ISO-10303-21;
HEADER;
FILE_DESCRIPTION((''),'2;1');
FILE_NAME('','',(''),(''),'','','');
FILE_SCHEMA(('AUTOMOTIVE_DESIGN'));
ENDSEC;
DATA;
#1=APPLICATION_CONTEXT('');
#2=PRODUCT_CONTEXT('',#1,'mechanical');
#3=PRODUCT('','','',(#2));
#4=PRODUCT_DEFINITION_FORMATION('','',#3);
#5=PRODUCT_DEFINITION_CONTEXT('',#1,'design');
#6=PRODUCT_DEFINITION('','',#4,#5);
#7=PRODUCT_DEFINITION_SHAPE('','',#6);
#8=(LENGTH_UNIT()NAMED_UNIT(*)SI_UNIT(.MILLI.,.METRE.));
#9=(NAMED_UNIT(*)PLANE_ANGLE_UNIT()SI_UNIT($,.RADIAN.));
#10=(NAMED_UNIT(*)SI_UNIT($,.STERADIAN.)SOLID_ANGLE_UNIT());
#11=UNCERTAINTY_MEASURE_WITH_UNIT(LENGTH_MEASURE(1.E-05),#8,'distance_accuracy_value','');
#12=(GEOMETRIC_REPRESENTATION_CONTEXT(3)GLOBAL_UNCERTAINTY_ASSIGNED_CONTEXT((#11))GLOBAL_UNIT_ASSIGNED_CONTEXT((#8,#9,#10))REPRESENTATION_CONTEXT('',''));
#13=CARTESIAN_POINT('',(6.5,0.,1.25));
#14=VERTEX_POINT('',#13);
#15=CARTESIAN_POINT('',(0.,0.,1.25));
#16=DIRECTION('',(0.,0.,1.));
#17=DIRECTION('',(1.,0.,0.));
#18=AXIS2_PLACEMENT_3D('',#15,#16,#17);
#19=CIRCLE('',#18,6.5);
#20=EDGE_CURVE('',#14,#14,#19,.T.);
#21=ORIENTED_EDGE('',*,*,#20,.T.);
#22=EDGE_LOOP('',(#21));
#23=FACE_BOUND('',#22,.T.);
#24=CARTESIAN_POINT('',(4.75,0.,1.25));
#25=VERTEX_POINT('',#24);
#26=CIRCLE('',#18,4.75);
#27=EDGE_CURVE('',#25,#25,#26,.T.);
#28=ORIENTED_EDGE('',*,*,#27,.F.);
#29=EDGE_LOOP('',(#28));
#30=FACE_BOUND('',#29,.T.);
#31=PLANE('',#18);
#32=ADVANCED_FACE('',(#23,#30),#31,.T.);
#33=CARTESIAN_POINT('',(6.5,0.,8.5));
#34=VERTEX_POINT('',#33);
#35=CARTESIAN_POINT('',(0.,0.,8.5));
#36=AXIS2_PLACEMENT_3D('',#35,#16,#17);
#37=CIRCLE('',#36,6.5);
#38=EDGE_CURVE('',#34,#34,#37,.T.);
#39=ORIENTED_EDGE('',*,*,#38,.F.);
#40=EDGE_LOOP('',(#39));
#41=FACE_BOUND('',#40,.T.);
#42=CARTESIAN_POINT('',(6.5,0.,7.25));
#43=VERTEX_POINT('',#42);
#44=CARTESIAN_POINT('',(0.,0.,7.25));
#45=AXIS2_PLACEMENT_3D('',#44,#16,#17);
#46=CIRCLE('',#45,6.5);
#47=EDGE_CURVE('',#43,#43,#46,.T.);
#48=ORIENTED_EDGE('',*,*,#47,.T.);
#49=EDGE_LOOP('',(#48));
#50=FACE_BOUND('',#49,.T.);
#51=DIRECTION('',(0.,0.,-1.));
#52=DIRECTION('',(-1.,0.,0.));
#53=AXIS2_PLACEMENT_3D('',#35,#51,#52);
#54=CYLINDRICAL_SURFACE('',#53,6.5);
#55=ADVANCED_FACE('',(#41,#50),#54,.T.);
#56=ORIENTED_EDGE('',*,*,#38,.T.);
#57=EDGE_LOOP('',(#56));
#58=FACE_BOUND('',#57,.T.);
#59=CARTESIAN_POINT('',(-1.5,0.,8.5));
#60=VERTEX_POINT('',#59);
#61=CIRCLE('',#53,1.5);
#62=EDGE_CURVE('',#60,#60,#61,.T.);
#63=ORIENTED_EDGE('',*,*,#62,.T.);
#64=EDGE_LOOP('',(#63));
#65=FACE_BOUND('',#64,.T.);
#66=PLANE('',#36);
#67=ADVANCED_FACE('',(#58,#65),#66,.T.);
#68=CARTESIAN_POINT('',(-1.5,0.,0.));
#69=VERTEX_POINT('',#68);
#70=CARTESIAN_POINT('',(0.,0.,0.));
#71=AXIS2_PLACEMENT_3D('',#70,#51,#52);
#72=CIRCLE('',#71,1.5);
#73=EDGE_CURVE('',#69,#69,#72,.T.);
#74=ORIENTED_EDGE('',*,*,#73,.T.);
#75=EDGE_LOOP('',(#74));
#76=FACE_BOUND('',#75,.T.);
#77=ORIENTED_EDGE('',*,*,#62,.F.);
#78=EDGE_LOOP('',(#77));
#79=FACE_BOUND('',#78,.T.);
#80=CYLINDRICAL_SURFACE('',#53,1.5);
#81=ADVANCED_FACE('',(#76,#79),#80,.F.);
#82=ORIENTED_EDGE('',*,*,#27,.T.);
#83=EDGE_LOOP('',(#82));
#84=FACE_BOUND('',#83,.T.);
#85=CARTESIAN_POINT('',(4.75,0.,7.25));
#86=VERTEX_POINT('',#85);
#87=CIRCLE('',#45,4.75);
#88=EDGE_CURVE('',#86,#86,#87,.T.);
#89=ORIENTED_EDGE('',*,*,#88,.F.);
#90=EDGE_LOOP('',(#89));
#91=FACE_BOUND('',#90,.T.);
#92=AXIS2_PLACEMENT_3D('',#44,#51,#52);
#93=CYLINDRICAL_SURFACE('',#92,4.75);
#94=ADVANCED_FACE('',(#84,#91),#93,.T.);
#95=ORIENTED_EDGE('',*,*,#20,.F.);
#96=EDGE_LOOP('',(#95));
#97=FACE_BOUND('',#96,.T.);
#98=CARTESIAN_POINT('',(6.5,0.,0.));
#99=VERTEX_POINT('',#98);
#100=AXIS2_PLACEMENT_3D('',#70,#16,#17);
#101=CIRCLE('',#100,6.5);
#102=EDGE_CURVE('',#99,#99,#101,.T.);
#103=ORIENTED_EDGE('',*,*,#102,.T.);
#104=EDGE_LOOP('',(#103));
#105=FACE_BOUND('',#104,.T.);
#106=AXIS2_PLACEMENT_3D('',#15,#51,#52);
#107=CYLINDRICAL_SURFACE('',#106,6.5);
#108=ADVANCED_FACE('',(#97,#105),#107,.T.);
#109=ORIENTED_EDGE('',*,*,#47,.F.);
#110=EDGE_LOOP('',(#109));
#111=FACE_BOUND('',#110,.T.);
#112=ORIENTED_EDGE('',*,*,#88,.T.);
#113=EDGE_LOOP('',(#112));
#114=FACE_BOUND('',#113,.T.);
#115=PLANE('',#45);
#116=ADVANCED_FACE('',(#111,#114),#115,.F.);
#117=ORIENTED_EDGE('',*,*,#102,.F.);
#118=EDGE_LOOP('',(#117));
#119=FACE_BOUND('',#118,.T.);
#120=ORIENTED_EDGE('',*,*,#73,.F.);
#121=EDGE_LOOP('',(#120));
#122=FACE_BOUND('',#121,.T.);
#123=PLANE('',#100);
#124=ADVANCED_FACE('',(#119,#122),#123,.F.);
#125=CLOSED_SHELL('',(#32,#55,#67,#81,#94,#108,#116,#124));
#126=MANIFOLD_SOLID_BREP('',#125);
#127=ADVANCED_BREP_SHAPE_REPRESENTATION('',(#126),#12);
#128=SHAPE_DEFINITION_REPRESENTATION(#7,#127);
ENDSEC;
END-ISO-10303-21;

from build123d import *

# Parameters (mm, degrees)
SKETCH_1_R          = 6.5
EXTRUDE_1_DEPTH     = 1.25
SKETCH_2_R          = 4.75
EXTRUDE_2_DEPTH     = 6
SKETCH_3_R          = 6.5
EXTRUDE_3_DEPTH     = 1.25
SKETCH_4_R          = 1.5
CUT_EXTRUDE_1_DEPTH = 9.5


with BuildPart() as part:
    # 草图1 → 凸台-拉伸1 (new body)
    with BuildSketch(Plane.XY):
        Circle(SKETCH_1_R)
    extrude(amount=EXTRUDE_1_DEPTH)

    # 草图2 → 凸台-拉伸2 (add)
    with BuildSketch(Plane.XY.offset(1.25)):
        Circle(SKETCH_2_R)
    extrude(amount=EXTRUDE_2_DEPTH)

    # 草图3 → 凸台-拉伸3 (add)
    with BuildSketch(Plane.XY.offset(7.25)):
        Circle(SKETCH_3_R)
    extrude(amount=EXTRUDE_3_DEPTH)

    # 草图4 → 切除-拉伸1 (cut, through all)
    with BuildSketch(Plane(origin=(0, 0, 0), x_dir=(-1, 0, 0), z_dir=(0, 0, -1))):
        Circle(SKETCH_4_R)
    extrude(amount=-CUT_EXTRUDE_1_DEPTH, mode=Mode.SUBTRACT)


solid = part.part
